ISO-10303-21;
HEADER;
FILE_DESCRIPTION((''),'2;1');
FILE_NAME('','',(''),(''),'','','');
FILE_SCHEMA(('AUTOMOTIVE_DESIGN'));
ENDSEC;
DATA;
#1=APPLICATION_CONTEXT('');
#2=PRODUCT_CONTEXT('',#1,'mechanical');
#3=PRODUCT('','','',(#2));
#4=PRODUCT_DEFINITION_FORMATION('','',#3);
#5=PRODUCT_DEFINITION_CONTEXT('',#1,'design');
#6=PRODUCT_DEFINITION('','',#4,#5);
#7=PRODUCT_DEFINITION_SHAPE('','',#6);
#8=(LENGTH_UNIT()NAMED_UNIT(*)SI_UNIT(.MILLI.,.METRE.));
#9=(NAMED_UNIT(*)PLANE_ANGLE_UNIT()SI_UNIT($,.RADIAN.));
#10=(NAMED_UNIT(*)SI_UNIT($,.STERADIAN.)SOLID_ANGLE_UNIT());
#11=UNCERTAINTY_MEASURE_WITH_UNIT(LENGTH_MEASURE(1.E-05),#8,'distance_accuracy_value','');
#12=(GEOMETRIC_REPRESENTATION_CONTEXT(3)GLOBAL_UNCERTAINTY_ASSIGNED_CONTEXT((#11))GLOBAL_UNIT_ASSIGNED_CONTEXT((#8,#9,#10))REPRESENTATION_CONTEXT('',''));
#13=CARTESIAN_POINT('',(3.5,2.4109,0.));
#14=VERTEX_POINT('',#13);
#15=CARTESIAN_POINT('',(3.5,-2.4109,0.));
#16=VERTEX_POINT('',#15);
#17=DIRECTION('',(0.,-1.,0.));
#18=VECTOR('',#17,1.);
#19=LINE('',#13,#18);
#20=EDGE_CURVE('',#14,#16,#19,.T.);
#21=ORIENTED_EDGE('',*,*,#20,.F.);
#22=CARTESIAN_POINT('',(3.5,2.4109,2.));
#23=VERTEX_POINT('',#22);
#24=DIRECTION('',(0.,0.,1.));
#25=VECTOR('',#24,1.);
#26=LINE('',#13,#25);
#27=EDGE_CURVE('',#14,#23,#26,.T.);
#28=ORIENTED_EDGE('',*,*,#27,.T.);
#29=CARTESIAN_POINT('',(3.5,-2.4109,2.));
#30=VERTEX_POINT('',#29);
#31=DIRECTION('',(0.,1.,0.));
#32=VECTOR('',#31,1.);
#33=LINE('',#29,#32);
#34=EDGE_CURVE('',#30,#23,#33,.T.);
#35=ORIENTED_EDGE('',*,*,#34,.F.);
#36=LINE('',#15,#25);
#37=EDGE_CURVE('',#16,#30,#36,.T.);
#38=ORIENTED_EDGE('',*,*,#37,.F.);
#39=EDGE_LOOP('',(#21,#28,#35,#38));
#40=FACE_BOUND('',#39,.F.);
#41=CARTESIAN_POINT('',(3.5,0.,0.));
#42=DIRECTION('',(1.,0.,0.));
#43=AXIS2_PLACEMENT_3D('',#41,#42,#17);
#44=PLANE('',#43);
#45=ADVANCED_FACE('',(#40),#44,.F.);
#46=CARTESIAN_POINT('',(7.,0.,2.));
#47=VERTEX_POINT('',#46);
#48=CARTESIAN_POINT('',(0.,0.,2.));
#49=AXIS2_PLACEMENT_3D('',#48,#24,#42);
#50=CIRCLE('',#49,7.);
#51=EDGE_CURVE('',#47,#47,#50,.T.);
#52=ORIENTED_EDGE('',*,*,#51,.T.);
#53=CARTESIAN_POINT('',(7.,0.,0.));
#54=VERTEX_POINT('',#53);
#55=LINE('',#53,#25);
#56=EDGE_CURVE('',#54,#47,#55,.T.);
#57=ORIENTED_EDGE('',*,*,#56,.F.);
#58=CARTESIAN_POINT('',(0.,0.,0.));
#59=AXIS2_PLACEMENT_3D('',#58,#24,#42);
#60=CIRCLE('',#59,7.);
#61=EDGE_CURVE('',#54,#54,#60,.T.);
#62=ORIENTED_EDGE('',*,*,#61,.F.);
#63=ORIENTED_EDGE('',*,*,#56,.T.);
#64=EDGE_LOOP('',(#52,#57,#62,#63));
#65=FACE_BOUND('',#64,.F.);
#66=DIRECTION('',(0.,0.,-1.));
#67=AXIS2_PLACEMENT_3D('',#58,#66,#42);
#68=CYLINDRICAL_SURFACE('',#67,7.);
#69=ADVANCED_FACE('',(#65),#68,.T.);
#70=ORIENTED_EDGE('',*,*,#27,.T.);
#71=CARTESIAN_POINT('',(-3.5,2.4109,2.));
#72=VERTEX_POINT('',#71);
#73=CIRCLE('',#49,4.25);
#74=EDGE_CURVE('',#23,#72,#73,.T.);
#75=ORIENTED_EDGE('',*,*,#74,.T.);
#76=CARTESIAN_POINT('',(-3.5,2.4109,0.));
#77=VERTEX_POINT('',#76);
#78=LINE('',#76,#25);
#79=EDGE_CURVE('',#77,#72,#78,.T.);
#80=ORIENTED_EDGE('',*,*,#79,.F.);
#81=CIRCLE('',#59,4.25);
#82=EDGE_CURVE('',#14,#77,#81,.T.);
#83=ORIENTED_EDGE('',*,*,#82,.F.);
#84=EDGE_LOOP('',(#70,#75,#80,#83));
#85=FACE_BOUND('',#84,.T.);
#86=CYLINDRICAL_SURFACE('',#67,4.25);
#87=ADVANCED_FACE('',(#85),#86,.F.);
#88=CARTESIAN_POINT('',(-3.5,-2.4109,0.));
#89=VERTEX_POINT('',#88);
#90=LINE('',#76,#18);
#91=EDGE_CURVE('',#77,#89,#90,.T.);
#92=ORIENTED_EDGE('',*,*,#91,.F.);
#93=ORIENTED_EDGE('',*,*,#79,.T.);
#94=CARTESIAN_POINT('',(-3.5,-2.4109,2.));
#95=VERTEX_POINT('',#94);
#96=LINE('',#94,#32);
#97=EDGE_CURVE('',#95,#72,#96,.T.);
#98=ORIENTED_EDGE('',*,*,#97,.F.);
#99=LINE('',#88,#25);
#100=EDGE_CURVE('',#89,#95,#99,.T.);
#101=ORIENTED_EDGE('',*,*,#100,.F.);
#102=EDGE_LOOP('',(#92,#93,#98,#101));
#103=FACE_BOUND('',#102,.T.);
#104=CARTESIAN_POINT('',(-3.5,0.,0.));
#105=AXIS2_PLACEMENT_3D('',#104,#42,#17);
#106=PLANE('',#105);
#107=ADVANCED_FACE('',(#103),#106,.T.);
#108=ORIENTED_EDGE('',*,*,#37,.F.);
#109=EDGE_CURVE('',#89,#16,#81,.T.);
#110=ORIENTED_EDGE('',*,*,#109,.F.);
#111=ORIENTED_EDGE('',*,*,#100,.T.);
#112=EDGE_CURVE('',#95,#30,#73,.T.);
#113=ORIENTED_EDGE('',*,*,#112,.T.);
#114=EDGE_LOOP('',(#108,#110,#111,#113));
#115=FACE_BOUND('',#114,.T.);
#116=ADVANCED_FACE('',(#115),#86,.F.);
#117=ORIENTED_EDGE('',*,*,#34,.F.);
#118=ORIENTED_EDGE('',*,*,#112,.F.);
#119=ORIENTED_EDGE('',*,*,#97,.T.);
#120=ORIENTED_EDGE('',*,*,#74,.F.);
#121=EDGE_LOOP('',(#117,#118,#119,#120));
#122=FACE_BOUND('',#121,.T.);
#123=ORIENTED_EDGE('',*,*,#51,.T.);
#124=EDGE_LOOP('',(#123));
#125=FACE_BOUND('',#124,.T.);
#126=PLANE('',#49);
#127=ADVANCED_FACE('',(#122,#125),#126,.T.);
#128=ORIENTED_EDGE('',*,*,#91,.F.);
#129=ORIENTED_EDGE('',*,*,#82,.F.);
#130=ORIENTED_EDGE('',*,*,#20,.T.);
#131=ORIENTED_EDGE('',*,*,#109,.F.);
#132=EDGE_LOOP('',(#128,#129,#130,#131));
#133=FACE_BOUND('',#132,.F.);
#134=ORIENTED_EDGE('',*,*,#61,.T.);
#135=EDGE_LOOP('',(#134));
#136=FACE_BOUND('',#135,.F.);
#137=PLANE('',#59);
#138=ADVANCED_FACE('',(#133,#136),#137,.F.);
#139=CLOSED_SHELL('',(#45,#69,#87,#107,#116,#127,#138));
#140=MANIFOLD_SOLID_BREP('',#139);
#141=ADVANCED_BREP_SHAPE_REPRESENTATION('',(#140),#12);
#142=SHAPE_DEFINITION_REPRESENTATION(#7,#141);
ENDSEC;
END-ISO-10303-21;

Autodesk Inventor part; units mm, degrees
ref_plane "YZ Plane" through (0, 0, 0) normal (1, 0, 0) x (0, 1, 0)
ref_plane "XZ Plane" through (0, 0, 0) normal (0, 1, 0) x (-1, 0, 0)
ref_plane "XY Plane" through (0, 0, 0) normal (0, 0, 1) x (1, 0, 0)
sketch "Эскиз1" plane through (0, 0, 0) normal (0, 0, 1) x (1, 0, 0)
  circle A0 centre (0, 0) radius 4.25
  circle A1 centre (0, 0) radius 7
  line L0 (-3.5, 0) -> (3.5, 0)
  line L1 (-3.5, 2.4109) -> (-3.5, -2.4109)
  line L2 (3.5, 2.4109) -> (3.5, -2.4109)
  dimension "d0" = 8.5
  dimension "d1" = 14
  dimension "d2" = 7
extrude "Выдавливание1" add sketch "Эскиз1" along normal blind 2 contours A0 L2 | L1 A0 | A1
properties part number "ANT_SPACER"
